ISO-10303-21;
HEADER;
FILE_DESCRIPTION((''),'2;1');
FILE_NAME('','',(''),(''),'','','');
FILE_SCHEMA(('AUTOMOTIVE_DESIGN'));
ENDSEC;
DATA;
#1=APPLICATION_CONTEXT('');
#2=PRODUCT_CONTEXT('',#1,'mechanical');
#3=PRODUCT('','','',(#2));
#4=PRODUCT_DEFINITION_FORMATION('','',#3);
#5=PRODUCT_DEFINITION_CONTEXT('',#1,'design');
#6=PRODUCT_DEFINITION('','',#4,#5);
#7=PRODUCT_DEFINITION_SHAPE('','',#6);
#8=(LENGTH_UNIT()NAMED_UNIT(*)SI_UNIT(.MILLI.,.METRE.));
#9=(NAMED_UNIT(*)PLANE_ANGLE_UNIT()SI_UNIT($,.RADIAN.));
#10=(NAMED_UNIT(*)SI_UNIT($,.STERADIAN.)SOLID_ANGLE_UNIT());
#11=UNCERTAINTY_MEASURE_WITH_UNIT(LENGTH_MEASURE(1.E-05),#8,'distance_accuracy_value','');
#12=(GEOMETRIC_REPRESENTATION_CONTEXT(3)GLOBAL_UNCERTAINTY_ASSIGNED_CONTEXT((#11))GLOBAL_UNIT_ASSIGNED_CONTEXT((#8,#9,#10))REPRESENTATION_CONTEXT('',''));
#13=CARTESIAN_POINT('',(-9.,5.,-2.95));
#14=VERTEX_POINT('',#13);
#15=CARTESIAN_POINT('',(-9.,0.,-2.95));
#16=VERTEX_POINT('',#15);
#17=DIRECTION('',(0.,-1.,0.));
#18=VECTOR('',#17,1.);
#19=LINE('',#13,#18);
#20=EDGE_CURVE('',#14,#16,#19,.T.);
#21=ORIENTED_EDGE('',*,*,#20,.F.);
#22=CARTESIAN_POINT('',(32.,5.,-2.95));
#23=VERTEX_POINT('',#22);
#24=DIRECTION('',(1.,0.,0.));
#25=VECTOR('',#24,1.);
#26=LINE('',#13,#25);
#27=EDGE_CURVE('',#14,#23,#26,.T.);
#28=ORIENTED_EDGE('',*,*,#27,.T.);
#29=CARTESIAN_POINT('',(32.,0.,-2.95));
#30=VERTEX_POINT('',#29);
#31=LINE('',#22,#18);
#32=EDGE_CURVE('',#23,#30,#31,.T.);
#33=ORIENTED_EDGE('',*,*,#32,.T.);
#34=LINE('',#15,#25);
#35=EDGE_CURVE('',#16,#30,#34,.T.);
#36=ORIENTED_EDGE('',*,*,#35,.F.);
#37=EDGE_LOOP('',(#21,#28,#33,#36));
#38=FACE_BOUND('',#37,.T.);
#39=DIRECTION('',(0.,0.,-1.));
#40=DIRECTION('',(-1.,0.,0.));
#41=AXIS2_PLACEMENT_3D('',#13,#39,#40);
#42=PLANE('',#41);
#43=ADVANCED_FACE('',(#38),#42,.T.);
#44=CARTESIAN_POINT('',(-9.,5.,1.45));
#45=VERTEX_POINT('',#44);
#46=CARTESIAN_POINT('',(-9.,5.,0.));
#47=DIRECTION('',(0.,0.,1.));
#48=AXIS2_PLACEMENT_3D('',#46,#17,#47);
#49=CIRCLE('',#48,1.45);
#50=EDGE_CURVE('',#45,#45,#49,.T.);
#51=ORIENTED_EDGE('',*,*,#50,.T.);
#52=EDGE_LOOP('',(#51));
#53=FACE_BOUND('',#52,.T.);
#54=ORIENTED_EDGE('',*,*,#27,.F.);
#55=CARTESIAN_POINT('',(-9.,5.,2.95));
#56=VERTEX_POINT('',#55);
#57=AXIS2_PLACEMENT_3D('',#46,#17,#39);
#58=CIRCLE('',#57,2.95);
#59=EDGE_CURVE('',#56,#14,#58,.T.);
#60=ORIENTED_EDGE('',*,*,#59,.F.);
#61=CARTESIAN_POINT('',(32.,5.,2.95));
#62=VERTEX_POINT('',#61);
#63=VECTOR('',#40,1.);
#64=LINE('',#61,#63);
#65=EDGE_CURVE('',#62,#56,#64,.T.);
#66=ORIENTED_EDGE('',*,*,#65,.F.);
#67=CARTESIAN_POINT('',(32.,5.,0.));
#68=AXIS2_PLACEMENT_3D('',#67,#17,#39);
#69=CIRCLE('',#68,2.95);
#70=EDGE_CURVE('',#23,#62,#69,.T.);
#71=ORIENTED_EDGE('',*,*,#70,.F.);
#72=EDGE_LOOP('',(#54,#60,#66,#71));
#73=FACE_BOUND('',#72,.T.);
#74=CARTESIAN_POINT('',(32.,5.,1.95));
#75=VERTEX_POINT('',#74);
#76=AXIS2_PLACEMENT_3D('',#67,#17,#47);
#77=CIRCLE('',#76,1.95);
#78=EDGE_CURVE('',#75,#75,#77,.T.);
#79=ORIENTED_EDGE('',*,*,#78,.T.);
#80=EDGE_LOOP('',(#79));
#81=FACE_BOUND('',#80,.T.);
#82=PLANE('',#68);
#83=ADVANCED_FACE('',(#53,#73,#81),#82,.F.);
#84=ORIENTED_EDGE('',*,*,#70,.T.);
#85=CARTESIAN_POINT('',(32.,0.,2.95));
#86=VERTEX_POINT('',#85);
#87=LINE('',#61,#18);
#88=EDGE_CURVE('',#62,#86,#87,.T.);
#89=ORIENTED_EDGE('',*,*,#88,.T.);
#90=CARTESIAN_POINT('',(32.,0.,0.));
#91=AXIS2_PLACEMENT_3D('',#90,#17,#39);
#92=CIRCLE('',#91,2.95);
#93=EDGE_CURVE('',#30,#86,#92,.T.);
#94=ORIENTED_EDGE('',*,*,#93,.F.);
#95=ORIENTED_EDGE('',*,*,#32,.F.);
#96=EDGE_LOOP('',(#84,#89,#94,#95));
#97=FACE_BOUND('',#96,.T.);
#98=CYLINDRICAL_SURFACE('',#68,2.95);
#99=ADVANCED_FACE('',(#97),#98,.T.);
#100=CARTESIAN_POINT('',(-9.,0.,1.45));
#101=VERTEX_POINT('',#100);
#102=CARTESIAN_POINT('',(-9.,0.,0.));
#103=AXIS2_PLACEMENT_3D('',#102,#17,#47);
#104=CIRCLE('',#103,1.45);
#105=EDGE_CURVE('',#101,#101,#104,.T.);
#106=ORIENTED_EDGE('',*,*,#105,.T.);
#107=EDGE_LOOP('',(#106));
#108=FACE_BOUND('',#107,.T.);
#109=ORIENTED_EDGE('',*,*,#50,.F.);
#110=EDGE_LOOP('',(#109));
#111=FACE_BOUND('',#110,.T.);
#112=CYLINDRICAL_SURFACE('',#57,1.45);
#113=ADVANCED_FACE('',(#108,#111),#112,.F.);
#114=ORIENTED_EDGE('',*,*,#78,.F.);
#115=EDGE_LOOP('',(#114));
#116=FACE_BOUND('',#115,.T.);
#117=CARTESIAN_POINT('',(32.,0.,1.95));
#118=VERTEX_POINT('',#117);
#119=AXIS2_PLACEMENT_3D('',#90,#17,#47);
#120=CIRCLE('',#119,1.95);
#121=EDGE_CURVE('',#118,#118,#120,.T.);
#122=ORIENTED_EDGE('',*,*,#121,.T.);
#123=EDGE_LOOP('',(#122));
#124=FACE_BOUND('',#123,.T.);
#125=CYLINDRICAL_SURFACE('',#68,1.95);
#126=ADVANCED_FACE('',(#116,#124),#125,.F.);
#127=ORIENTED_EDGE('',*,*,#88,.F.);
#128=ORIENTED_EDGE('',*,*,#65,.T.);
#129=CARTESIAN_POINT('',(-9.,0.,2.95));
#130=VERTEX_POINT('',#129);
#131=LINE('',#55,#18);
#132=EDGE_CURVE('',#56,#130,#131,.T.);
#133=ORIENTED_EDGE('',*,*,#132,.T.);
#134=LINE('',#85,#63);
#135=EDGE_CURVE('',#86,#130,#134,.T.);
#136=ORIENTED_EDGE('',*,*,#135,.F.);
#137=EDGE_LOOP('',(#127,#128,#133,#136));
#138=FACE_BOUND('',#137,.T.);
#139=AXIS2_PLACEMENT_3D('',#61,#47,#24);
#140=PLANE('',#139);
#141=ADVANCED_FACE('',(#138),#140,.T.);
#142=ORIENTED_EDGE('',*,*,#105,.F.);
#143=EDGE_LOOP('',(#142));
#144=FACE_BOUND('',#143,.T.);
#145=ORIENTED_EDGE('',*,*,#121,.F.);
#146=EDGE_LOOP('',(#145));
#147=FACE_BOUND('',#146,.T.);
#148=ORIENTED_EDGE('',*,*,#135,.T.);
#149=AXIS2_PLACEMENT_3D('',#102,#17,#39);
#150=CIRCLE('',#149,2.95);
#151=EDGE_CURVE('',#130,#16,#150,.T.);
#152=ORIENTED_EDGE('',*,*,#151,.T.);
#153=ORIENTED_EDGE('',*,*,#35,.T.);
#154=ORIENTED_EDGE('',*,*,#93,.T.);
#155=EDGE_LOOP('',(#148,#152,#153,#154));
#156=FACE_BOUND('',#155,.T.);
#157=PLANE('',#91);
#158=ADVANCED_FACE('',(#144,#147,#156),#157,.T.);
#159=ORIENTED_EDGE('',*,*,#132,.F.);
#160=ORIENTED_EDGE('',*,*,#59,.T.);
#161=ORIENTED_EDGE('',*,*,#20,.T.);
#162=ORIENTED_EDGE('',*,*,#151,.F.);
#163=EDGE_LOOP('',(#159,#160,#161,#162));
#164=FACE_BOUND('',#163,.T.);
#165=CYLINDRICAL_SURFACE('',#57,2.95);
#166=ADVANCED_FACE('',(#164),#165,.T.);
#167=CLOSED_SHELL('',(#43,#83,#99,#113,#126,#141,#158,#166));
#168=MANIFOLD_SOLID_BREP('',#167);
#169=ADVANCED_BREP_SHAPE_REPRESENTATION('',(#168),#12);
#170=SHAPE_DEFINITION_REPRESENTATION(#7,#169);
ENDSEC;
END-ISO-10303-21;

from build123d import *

# Parameters (mm, degrees)
SKETCH1_R           = 1.95
SKETCH1_R_2         = 1.45
BOSS_EXTRUDE1_DEPTH = 5


with BuildPart() as part:
    # Sketch1 → Boss-Extrude1 (new body)
    with BuildSketch(Plane.XZ):
        with BuildLine():
            Line((32, 2.95), (-9, 2.95))
            ThreePointArc((-9, 2.95), (-11.95, 0), (-9, -2.95))
            Line((-9, -2.95), (32, -2.95))
            ThreePointArc((32, -2.95), (34.95, 0), (32, 2.95))
        make_face()
        with Locations((32, 0)):
            Circle(SKETCH1_R, mode=Mode.SUBTRACT)
        with Locations((-9, 0)):
            Circle(SKETCH1_R_2, mode=Mode.SUBTRACT)
    extrude(amount=-BOSS_EXTRUDE1_DEPTH)


solid = part.part
